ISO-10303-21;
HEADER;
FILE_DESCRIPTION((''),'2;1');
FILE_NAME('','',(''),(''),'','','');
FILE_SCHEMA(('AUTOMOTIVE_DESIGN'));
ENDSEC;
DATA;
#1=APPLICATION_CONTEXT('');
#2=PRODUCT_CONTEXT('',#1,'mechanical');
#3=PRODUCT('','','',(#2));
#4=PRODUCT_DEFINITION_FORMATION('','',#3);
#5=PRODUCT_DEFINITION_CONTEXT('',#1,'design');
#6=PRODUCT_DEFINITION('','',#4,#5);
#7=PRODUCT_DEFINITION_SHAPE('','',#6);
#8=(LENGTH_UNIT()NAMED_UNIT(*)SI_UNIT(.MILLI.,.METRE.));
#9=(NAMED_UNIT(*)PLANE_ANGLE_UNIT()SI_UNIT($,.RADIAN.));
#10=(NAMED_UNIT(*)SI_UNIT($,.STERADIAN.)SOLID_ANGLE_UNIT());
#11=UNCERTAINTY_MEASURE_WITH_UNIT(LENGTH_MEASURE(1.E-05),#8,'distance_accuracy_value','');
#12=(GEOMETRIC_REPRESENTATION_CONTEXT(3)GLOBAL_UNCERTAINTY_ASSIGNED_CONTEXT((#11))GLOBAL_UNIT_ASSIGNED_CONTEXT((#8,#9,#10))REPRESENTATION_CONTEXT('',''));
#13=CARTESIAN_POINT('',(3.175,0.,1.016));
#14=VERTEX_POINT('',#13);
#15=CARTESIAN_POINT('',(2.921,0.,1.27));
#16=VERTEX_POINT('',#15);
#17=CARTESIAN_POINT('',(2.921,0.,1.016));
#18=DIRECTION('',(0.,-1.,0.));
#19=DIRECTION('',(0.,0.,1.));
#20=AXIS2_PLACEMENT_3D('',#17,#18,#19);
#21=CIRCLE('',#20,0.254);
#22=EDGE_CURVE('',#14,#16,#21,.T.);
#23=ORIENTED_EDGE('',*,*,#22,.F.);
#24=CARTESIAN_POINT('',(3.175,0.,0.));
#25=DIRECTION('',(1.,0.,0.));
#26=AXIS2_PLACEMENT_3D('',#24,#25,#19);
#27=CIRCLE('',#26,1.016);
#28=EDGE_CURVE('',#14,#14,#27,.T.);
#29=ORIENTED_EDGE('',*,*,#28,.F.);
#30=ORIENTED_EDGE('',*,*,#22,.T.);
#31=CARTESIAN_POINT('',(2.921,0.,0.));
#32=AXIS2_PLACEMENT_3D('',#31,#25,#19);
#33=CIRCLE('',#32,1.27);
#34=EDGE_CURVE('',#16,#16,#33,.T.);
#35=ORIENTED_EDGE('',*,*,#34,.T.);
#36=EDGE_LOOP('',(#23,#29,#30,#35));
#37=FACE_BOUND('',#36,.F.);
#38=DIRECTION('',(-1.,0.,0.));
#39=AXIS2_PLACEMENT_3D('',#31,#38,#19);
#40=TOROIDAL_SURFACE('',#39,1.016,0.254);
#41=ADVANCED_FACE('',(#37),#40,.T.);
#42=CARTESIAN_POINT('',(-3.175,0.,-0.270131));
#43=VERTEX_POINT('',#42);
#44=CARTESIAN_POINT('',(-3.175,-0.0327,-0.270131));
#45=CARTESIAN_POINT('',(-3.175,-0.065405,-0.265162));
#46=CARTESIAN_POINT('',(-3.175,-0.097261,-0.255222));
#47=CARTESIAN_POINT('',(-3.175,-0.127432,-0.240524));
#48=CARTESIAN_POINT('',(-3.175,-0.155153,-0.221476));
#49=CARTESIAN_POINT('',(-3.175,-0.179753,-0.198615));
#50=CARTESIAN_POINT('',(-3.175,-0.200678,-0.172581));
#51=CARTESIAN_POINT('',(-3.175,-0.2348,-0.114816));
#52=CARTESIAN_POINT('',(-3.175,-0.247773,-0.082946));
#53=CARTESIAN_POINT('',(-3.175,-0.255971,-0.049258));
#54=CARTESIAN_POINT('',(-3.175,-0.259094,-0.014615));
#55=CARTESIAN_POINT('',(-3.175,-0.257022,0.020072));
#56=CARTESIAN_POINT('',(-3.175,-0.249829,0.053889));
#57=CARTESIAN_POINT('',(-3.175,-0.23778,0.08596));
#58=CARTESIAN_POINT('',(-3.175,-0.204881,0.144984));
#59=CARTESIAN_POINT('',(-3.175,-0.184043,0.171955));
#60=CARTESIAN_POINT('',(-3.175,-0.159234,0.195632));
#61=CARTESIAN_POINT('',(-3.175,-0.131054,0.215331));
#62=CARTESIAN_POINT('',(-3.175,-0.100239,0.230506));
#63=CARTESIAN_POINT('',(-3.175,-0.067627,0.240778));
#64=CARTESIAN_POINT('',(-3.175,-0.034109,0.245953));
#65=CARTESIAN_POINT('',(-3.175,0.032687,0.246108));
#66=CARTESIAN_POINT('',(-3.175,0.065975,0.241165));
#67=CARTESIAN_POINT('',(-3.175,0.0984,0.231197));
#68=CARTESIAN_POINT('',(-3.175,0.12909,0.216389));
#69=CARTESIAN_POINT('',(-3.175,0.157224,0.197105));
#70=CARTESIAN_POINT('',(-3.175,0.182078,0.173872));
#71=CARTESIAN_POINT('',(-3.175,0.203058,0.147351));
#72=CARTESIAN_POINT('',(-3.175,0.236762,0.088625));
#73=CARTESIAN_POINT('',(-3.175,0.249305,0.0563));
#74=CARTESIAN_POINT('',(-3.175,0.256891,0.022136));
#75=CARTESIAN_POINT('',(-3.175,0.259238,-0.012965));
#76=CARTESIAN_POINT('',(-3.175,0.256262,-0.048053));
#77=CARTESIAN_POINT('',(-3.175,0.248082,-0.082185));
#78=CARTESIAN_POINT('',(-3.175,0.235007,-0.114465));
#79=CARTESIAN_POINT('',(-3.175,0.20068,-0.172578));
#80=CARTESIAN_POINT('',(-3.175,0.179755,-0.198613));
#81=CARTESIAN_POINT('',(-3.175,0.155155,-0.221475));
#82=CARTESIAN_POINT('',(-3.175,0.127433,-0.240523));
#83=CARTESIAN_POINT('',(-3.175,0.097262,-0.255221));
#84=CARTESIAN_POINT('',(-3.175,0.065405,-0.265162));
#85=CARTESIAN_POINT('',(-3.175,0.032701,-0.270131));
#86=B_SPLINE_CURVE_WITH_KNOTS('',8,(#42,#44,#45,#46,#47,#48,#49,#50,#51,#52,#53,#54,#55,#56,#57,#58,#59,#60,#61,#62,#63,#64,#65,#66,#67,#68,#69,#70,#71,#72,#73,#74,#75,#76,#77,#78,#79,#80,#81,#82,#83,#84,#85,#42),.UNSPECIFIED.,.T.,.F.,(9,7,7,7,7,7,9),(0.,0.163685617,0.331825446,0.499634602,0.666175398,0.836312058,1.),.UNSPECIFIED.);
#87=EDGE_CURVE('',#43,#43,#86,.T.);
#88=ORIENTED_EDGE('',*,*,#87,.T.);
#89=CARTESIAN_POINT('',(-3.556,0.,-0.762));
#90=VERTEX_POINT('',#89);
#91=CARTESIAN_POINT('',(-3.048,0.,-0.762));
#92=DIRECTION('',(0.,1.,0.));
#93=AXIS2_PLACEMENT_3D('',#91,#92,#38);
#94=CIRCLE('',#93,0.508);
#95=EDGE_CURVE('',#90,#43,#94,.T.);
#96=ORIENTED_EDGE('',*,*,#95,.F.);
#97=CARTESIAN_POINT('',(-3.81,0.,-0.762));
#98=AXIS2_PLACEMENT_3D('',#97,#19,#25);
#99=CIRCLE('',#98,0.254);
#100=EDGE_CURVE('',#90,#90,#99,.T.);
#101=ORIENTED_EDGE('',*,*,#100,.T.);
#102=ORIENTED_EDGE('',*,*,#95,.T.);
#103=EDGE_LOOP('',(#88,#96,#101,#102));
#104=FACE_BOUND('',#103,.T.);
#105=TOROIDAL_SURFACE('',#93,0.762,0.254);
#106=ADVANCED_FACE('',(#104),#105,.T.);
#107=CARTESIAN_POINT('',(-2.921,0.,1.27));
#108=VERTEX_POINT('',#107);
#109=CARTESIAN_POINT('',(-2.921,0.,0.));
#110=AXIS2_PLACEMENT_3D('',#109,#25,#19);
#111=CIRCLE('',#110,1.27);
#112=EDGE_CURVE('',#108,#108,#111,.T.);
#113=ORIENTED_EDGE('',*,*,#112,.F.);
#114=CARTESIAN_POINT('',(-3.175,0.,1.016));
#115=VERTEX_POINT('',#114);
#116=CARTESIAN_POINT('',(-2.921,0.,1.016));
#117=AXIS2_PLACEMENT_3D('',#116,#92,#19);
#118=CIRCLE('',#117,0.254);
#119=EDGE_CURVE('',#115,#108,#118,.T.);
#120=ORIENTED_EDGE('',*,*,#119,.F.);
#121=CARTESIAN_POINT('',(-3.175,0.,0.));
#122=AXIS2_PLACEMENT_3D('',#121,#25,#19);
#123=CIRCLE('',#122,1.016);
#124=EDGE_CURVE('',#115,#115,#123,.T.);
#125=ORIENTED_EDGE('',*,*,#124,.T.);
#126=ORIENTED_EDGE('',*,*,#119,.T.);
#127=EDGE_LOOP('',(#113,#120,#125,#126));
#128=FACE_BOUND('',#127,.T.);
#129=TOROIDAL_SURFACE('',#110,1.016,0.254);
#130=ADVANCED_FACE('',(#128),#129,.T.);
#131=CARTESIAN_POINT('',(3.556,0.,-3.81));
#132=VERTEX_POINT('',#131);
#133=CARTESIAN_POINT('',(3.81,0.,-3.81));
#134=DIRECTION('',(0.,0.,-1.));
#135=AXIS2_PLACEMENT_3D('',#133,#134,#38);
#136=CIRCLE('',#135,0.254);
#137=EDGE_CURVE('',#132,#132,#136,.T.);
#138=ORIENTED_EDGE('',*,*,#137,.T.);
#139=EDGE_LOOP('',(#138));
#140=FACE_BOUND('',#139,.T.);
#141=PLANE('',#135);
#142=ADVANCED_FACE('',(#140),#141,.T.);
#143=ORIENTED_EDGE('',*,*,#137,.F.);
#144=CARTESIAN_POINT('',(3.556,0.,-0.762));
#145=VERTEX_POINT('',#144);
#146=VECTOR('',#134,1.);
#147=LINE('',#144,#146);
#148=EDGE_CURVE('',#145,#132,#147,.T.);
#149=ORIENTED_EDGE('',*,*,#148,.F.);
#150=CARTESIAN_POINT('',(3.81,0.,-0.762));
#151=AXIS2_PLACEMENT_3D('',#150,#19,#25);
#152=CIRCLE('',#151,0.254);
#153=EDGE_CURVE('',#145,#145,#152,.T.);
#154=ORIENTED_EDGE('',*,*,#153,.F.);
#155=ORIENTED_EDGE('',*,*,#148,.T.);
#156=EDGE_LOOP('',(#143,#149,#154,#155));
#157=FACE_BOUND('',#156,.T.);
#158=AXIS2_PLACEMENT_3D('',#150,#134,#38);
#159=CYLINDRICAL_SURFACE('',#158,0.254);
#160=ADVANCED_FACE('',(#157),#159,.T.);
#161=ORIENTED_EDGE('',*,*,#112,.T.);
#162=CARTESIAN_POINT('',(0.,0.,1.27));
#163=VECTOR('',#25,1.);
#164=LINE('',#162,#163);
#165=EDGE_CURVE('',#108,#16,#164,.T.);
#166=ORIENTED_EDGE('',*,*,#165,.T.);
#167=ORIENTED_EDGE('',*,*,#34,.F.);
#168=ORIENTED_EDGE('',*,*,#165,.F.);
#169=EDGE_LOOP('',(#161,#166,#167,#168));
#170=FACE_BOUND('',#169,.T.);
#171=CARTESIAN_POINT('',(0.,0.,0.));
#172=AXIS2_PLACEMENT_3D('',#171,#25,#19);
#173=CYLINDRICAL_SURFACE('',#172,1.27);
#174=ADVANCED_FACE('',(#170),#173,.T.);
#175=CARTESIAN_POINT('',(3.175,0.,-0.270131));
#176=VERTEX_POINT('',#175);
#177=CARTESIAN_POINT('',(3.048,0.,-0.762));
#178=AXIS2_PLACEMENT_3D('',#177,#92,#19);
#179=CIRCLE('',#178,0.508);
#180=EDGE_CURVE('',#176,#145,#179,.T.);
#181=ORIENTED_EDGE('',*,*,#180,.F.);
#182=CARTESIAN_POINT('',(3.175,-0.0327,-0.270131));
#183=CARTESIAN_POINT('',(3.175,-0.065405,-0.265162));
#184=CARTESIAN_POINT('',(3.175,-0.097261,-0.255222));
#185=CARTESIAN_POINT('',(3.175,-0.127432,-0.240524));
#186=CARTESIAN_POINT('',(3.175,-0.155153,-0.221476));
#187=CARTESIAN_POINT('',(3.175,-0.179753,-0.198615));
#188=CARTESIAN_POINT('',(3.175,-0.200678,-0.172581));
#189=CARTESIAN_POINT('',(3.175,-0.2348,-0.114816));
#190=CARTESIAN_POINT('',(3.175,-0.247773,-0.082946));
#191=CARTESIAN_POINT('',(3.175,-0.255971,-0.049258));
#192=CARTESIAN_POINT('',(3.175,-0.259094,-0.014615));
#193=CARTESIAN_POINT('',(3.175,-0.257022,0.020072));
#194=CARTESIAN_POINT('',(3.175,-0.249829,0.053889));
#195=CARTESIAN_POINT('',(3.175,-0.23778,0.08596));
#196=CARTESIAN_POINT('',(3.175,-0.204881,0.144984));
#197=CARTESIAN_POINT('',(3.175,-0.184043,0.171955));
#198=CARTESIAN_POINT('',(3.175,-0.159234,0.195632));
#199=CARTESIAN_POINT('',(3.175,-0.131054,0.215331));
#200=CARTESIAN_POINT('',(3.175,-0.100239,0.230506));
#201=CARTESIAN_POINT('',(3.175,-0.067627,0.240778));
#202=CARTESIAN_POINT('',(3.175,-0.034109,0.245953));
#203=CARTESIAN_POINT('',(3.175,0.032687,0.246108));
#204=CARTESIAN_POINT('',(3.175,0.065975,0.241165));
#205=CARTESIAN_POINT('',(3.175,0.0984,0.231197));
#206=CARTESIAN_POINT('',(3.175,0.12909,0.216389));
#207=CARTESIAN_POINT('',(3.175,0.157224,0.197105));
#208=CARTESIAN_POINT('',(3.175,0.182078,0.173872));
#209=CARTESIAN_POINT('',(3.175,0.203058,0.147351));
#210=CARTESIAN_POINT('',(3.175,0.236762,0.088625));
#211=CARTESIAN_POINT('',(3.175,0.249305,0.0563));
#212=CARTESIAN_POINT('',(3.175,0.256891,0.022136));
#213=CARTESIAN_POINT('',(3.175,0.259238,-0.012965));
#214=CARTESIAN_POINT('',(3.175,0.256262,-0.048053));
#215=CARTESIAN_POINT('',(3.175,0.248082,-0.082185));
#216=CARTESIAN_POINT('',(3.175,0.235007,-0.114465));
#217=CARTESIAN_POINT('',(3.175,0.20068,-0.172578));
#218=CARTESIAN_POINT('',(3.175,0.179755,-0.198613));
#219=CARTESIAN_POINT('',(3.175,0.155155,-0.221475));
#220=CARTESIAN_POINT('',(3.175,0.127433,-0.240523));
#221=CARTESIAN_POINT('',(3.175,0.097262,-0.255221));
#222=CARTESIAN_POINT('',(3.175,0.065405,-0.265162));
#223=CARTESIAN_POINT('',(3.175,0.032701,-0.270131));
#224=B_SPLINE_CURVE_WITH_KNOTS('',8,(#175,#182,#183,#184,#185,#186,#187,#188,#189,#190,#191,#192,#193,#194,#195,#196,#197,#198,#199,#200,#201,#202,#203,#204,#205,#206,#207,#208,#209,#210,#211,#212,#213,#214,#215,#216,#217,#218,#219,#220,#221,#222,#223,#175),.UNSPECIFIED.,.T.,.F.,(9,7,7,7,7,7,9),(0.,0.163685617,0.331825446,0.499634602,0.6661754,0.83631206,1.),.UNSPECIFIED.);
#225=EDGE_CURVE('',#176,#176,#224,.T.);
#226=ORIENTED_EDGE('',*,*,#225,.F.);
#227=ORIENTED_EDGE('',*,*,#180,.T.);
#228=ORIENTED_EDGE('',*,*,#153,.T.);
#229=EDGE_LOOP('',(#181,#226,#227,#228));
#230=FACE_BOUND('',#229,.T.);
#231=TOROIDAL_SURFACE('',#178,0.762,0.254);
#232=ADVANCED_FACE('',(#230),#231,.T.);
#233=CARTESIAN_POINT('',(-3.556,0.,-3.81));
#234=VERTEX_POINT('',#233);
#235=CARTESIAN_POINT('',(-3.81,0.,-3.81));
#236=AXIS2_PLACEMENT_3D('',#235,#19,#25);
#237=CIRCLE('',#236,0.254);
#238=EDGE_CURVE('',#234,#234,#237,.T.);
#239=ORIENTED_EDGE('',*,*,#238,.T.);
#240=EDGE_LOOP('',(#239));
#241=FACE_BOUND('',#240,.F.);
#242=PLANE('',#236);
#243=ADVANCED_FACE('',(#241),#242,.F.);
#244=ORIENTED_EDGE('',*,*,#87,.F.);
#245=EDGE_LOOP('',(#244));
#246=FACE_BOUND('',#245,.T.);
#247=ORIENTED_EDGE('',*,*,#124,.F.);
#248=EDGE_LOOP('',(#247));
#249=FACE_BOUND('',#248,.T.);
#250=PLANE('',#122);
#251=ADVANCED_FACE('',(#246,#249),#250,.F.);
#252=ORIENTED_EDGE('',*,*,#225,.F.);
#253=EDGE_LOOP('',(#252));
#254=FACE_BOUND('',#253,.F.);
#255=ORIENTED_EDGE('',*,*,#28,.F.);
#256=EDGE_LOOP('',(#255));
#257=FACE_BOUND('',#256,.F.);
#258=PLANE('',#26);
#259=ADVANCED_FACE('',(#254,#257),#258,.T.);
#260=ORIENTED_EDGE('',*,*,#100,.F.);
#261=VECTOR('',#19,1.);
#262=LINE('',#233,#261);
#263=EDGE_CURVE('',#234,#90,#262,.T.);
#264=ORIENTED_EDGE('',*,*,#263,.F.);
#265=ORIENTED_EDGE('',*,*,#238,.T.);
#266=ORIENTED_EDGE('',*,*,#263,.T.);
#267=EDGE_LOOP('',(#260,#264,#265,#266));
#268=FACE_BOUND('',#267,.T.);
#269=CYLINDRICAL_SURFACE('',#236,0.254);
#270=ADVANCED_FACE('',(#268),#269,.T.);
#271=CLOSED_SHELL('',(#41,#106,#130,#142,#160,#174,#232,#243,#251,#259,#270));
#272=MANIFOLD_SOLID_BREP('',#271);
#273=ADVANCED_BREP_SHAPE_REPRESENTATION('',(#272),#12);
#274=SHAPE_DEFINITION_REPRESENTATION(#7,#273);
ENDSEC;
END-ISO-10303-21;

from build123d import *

# Parameters (mm, degrees)
F0_W = 6.35
F0_H = 1.27
F2_R = 0.254
F5_R = 0.254


with BuildPart() as f1:
    # F0 (on Front) → F1 (revolve)
    with BuildSketch(Plane.XZ):
        with Locations((0, 0.635)):
            Rectangle(F0_W, F0_H)
    revolve(axis=Axis((0, 0, 0), (1, 0, 0)))

    # F2
    f2_edges = [f1.edges().sort_by_distance(p)[0] for p in [
        (3.175, 0, -1.27),
        (-3.175, 0, -1.27),
    ]]
    fillet(f2_edges, radius=F2_R)

    # F6: sweep along a path in F3
    with BuildLine(Plane.XZ) as f6_path:
        Line((-3.81, -3.81), (-3.81, -0.762))
        ThreePointArc((-3.81, -0.762), (-3.5868153673, -0.2231846327), (-3.048, 0))
        Line((-3.048, 0), (3.048, 0))
        ThreePointArc((3.048, 0), (3.5868153673, -0.2231846327), (3.81, -0.762))
        Line((3.81, -0.762), (3.81, -3.81))
    # F5 (on offset) → F6 (sweep)
    with BuildSketch(Plane.XY.offset(-3.81)):
        with Locations((-3.81, 0)):
            Circle(F5_R)
    sweep(path=f6_path.line)


solid = f1.part
